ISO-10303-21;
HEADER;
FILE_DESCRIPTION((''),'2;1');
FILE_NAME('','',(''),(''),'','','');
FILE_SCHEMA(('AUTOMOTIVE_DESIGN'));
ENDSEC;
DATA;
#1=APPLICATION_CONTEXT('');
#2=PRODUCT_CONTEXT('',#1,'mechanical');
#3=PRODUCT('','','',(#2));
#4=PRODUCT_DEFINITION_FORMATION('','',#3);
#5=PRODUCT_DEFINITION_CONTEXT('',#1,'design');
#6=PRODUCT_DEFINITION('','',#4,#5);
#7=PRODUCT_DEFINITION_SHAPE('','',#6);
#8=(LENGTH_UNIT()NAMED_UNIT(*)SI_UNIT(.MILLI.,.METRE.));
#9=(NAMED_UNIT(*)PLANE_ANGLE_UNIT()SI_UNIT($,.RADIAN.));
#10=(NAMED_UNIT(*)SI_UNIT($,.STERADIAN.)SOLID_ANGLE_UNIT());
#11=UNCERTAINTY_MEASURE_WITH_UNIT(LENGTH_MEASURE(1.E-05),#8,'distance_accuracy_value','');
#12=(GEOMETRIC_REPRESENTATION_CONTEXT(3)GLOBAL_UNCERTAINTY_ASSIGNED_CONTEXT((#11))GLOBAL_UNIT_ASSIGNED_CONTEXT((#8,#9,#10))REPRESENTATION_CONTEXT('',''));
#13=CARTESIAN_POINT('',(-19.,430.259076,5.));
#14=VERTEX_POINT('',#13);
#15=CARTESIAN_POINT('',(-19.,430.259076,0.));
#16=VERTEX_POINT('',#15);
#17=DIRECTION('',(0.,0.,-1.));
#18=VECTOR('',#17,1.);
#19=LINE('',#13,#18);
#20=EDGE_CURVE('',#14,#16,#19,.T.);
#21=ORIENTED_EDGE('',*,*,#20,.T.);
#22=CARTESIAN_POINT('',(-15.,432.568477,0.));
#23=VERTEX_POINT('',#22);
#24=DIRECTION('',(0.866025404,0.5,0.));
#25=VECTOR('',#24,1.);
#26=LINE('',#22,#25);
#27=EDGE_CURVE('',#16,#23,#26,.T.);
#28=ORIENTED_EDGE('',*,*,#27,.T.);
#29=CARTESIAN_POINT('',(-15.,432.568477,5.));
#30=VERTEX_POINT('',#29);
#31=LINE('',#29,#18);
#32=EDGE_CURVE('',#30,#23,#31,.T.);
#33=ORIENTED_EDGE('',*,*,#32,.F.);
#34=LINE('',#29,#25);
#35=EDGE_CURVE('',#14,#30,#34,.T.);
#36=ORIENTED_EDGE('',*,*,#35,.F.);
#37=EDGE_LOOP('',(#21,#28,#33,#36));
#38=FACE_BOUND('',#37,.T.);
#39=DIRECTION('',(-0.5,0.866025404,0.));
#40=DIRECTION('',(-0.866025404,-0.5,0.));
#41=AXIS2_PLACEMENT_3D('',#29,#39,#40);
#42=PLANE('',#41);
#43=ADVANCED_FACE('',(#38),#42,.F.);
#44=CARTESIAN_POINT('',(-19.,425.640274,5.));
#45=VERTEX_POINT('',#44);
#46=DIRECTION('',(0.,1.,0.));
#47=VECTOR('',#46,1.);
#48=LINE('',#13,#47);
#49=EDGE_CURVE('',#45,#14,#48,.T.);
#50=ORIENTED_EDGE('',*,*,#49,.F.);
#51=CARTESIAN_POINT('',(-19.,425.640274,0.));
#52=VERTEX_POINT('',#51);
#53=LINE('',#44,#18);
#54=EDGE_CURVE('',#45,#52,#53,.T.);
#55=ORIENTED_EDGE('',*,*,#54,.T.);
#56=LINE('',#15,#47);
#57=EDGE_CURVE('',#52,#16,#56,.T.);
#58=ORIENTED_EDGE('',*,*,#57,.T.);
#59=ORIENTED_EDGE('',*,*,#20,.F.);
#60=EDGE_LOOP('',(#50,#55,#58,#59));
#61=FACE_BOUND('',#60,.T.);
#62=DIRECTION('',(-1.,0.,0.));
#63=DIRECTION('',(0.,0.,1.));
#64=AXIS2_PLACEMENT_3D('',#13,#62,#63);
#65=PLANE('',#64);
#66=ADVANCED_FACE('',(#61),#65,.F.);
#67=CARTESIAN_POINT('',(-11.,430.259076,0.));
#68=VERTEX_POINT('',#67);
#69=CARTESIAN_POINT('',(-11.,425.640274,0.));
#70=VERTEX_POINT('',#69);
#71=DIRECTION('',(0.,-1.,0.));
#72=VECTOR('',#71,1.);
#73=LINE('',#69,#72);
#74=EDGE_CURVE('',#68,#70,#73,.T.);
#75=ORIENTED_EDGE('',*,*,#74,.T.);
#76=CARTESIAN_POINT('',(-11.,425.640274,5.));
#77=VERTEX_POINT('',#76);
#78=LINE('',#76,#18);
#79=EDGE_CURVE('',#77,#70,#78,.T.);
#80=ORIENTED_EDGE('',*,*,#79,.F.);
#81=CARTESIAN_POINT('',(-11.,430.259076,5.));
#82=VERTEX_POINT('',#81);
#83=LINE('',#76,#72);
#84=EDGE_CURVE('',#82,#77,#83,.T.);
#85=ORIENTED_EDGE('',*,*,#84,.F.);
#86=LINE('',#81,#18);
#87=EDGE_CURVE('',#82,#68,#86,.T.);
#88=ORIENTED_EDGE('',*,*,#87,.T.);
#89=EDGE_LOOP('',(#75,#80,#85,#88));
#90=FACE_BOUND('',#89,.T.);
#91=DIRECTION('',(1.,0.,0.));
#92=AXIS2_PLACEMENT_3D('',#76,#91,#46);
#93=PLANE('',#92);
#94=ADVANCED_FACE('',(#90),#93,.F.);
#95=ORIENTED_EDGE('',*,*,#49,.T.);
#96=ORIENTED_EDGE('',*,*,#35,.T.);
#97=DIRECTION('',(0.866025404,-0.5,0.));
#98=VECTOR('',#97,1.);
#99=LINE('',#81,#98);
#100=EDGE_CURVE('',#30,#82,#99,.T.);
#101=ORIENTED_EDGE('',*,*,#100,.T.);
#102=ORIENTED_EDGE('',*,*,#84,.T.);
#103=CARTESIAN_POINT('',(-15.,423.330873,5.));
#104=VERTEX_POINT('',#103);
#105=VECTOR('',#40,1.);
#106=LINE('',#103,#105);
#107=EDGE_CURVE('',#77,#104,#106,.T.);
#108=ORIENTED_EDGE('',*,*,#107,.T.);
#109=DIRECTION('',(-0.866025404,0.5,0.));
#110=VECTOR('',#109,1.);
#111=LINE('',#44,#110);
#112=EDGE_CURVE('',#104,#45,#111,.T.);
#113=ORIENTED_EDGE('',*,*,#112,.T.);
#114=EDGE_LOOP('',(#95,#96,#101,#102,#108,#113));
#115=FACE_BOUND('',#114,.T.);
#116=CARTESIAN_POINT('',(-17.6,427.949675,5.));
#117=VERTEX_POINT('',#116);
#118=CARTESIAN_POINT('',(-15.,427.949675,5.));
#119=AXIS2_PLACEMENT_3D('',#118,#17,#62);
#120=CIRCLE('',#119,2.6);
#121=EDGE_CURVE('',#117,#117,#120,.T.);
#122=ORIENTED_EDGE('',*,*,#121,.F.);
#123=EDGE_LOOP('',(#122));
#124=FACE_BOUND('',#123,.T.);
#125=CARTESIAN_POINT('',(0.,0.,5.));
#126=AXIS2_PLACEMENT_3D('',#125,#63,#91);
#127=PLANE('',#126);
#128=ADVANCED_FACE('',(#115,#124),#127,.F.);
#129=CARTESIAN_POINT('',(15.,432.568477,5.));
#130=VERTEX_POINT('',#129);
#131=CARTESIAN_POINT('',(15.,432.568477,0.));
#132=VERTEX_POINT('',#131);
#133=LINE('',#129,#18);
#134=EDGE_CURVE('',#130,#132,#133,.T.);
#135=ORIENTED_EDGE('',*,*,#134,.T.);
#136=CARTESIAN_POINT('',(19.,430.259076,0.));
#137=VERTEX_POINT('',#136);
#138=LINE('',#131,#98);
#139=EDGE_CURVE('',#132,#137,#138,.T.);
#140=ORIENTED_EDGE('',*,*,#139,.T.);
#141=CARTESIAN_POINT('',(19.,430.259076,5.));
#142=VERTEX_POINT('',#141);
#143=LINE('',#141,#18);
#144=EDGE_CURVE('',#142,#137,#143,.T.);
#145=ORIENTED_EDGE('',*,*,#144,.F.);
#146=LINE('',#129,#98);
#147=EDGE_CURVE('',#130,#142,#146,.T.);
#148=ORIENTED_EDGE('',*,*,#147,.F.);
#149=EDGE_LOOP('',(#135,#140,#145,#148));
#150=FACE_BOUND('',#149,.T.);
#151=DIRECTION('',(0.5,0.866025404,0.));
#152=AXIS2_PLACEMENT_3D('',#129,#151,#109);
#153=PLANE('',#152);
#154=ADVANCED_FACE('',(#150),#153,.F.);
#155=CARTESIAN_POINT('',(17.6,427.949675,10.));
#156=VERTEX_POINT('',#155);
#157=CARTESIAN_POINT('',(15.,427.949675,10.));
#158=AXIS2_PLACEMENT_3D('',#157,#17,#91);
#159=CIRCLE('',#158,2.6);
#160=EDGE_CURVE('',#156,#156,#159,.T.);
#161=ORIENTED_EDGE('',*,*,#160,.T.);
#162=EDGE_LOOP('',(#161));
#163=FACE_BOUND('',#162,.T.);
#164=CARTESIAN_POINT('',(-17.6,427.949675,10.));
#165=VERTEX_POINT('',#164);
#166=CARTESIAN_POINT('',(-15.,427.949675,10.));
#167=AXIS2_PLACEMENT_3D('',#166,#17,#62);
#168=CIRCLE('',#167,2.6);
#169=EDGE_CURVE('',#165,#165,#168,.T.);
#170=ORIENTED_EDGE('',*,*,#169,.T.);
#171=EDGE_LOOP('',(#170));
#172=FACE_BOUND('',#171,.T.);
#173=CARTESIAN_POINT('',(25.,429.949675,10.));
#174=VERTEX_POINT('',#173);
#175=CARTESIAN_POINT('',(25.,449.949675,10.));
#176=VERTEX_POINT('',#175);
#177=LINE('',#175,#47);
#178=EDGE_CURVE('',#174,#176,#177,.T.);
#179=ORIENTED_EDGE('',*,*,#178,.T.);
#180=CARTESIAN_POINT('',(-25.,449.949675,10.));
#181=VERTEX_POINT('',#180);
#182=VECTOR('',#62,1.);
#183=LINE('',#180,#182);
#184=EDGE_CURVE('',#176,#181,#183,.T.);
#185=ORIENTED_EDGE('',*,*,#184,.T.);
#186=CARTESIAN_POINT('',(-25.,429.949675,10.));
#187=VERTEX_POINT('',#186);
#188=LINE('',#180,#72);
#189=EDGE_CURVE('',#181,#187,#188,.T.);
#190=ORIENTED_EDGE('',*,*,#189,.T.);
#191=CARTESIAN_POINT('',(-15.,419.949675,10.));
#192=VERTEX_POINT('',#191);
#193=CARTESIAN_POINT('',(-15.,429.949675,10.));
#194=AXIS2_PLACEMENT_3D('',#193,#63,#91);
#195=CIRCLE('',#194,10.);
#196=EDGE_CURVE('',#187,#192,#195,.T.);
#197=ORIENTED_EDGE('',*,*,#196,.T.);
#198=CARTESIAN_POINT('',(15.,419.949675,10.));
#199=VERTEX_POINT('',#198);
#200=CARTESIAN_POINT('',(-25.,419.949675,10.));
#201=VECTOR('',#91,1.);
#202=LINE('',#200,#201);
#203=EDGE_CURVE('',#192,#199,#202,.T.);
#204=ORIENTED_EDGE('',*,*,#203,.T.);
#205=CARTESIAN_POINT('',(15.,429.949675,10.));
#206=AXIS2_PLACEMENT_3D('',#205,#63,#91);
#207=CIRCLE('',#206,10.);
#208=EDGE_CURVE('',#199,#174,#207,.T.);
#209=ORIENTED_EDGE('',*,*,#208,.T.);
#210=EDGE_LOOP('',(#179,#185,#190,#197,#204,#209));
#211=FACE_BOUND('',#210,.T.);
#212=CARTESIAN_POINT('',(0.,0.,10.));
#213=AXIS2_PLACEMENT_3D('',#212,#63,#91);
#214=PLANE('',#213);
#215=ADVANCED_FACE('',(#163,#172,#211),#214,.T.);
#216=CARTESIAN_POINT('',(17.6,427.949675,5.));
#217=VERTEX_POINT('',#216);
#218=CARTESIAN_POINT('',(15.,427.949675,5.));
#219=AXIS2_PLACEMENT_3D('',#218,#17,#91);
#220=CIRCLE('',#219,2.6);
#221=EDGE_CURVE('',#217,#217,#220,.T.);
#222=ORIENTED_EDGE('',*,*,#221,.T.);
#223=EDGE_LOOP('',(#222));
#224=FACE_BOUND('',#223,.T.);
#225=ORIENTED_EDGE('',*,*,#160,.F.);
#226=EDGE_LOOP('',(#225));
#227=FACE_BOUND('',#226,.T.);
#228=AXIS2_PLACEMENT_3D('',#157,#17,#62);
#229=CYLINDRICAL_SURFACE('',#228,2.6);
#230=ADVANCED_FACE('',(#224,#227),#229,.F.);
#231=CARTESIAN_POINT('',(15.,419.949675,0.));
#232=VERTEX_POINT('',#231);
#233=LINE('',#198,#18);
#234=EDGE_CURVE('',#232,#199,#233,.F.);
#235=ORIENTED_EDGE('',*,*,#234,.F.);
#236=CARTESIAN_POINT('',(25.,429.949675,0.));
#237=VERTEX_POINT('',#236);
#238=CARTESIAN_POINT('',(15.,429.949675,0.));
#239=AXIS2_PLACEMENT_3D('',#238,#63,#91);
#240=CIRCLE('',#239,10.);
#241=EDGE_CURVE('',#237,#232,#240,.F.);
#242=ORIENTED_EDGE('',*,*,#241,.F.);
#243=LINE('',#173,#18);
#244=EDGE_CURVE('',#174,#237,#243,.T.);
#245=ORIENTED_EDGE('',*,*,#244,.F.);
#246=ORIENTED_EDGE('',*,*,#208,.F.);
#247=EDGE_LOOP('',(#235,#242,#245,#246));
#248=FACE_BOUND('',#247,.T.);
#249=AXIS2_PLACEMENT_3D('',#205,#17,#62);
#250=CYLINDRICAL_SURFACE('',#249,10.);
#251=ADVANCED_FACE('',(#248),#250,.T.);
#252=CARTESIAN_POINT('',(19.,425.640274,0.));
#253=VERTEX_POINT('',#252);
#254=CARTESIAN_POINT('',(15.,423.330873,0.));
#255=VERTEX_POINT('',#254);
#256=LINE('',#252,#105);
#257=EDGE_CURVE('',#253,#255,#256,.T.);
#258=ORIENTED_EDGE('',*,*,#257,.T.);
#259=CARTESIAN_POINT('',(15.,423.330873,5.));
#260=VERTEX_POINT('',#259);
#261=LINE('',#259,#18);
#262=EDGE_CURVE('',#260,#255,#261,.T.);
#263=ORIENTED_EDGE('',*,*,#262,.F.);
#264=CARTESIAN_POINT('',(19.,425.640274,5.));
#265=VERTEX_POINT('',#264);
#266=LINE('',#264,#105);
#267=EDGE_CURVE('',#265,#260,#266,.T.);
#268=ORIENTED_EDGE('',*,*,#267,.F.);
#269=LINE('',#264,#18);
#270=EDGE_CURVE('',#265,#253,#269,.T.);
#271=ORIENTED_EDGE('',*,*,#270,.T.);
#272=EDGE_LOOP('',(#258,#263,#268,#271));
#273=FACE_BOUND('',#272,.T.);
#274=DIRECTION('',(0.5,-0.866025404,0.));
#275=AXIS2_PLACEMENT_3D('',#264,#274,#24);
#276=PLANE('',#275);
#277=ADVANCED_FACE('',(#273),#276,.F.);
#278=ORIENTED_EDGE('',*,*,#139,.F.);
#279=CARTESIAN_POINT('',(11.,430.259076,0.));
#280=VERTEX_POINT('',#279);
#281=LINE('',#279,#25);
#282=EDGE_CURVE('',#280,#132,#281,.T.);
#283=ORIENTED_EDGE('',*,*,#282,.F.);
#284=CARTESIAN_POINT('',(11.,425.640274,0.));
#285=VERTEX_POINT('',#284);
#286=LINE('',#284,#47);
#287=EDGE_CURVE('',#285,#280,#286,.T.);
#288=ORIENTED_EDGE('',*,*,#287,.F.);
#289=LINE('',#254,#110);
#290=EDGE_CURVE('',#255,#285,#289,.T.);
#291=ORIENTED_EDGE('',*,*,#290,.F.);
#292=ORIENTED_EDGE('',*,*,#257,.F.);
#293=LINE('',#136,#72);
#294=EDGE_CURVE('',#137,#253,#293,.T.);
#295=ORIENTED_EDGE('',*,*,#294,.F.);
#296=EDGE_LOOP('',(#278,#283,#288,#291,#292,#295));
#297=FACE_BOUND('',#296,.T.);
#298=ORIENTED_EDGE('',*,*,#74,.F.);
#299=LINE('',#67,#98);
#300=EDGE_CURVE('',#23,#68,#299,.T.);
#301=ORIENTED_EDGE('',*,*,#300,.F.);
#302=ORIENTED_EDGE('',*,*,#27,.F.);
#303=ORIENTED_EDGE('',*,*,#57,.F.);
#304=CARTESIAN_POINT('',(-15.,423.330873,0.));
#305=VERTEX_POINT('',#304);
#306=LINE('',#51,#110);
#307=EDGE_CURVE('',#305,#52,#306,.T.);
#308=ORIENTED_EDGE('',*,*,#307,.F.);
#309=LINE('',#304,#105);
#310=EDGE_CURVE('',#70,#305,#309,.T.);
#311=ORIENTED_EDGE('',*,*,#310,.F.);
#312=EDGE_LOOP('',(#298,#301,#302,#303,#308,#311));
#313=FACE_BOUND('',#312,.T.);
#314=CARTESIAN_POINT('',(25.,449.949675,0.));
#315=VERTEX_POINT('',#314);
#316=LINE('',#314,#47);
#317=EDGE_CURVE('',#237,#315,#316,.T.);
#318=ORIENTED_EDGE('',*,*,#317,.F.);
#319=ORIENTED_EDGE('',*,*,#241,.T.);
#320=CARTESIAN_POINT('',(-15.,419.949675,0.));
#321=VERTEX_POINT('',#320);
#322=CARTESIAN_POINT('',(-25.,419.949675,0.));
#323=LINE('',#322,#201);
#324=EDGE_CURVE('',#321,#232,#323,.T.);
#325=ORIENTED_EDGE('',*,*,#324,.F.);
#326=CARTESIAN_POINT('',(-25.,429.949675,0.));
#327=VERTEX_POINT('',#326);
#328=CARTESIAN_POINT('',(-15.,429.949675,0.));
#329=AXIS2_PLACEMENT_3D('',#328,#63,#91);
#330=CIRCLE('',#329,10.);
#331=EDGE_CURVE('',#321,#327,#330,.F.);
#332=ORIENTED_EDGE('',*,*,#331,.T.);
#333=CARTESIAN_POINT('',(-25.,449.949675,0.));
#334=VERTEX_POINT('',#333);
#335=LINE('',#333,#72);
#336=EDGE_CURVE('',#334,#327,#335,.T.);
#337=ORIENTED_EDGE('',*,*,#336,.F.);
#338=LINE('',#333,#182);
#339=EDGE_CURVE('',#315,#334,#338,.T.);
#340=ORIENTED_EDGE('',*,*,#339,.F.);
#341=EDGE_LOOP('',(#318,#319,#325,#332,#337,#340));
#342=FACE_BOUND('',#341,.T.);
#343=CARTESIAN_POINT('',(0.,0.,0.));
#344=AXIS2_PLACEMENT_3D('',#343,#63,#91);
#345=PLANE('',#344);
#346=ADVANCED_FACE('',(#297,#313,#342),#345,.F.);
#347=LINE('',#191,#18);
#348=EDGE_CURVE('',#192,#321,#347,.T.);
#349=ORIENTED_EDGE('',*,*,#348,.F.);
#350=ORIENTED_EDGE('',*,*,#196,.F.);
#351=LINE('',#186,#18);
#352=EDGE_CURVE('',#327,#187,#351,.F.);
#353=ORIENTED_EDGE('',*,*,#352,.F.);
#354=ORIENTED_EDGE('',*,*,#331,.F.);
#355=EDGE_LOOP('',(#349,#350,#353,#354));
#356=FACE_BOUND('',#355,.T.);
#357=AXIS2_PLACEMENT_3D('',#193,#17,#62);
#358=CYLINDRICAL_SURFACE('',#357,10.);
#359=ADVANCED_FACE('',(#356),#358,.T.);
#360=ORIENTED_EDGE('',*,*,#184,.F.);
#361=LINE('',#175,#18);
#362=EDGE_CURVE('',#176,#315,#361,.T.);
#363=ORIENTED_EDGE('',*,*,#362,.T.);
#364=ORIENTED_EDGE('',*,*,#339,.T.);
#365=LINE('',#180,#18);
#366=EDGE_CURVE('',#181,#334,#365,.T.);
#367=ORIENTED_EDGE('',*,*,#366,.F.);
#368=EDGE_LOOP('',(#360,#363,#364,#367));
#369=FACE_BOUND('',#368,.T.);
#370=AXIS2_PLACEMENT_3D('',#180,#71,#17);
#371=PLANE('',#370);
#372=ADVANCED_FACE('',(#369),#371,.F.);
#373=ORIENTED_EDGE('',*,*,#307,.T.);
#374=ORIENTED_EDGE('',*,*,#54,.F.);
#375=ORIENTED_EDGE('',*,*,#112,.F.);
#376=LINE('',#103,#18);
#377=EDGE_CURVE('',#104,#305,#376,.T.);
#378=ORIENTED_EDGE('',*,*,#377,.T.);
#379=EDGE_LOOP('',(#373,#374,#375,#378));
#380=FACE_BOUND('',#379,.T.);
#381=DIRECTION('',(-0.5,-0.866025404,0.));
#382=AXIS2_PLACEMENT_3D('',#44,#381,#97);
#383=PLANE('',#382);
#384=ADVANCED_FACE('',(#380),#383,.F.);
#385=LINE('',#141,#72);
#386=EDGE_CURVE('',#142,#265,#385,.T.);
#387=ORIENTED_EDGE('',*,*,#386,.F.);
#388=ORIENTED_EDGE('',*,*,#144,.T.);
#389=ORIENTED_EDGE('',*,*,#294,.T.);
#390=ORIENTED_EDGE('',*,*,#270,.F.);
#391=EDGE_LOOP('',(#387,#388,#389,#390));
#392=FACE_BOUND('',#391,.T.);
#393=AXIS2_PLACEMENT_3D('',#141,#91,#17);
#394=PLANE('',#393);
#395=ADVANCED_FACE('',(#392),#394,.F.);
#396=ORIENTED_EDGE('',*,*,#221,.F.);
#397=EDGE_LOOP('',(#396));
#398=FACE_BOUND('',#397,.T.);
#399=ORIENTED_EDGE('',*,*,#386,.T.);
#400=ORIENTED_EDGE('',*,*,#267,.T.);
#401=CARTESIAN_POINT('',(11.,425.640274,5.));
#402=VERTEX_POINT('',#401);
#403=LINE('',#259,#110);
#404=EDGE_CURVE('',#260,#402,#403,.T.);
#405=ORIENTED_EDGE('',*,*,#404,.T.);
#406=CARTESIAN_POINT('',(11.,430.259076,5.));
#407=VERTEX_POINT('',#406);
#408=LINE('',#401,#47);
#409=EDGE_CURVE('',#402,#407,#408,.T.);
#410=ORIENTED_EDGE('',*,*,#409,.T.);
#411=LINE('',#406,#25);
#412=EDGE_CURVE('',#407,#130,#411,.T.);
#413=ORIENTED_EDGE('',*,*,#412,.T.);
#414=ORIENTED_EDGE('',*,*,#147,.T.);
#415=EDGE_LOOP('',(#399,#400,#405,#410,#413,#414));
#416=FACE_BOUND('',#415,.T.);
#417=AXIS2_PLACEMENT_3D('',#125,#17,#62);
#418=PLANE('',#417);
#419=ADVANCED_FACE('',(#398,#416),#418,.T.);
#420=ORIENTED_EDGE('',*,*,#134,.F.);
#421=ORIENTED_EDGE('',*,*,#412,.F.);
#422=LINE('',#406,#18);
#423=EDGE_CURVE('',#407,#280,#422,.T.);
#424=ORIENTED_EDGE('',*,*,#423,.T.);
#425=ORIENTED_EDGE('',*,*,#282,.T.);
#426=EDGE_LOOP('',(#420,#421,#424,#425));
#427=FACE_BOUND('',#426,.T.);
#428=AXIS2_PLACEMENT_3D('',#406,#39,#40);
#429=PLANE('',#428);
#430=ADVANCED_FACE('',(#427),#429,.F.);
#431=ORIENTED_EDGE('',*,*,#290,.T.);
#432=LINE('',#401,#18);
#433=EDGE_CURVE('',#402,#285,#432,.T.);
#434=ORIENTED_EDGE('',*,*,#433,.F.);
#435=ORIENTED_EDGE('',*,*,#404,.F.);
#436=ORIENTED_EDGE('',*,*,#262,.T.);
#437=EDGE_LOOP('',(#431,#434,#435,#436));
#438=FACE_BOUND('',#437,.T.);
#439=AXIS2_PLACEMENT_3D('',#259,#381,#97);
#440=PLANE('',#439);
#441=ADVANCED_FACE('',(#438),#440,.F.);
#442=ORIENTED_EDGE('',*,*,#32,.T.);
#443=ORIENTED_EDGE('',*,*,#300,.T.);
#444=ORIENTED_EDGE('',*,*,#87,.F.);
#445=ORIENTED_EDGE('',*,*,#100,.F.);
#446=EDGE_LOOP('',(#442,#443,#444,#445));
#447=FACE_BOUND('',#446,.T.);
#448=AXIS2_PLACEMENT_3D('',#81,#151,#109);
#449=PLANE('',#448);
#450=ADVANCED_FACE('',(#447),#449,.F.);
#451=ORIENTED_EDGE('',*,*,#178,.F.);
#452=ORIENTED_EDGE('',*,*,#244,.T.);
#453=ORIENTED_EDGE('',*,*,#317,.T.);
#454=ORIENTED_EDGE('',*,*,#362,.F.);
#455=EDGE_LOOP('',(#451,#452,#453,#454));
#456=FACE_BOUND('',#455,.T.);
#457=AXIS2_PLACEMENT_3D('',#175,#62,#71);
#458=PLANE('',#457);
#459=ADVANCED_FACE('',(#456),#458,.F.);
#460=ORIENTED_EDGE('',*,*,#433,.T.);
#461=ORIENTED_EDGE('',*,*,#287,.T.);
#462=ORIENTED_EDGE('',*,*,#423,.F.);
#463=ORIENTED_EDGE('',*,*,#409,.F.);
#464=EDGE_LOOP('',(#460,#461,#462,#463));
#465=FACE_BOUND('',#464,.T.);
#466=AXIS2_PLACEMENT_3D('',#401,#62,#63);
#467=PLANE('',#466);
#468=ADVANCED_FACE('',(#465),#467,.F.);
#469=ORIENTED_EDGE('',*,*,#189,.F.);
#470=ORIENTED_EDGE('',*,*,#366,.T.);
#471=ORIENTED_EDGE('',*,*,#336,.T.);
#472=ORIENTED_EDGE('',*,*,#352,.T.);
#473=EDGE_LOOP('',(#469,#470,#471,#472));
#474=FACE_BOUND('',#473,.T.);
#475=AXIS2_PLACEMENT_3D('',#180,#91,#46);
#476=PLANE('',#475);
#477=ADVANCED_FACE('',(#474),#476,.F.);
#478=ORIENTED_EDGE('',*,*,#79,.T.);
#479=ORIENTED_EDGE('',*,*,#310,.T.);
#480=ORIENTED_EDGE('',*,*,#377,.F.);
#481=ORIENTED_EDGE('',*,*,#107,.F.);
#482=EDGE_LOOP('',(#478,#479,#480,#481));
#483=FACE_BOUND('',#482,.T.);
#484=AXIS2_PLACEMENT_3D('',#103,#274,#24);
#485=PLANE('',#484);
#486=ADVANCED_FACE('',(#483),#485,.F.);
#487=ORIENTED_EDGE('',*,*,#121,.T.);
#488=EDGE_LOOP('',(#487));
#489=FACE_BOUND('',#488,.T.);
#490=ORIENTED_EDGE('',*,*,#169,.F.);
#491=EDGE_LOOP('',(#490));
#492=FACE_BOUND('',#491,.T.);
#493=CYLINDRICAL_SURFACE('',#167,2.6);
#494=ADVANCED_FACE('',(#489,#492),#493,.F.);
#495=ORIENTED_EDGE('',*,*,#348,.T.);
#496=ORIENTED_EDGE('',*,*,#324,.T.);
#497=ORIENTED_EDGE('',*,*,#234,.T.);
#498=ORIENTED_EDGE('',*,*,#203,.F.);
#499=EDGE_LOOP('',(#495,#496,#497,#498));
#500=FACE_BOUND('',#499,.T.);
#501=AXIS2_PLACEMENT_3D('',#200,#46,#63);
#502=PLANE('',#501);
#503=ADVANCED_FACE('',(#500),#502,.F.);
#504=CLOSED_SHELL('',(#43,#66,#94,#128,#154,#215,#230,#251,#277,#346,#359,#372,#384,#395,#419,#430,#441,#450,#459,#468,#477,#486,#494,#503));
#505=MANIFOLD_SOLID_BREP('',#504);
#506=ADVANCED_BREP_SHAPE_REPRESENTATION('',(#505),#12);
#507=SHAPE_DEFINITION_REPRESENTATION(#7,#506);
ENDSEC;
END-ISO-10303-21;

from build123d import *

# Parameters (mm, degrees)
SKETCH1_W           = 50
SKETCH1_H           = 30
BOSS_EXTRUDE1_DEPTH = 10
CUT_EXTRUDE1_DEPTH  = 5
SKETCH3_R           = 2.6
CUT_EXTRUDE2_DEPTH  = 451.671399096
FILLET1_R           = 10


with BuildPart() as part:
    # Sketch1 → Boss-Extrude1 (new body)
    with BuildSketch(Plane.XY):
        with Locations((0, 434.949674923)):
            Rectangle(SKETCH1_W, SKETCH1_H)
    extrude(amount=BOSS_EXTRUDE1_DEPTH)

    # Sketch2 → Cut-Extrude1 (cut)
    with BuildSketch(Plane(origin=(0, 0, 0), x_dir=(-1, 0, 0), z_dir=(0, 0, -1))):
        Polygon((11, 430.259075999), (15, 432.568477076), (19, 430.259075999), (19, 425.640273846), (15, 423.330872769), (11, 425.640273846), align=None)
        Polygon((-15, 432.568477076), (-19, 430.259075999), (-19, 425.640273846), (-15, 423.330872769), (-11, 425.640273846), (-11, 430.259075999), align=None)
    extrude(amount=-CUT_EXTRUDE1_DEPTH, mode=Mode.SUBTRACT)

    # Sketch3 → Cut-Extrude2 (cut, through all)
    with BuildSketch(Plane(origin=(0, 0, 5), x_dir=(-1, 0, 0), z_dir=(0, 0, -1))):
        with Locations((15, 427.949674923)):
            Circle(SKETCH3_R)
        with Locations(Location((-15, 427.949674923, 0), (0, 0, 180))):
            Circle(SKETCH3_R)
    extrude(amount=-CUT_EXTRUDE2_DEPTH, mode=Mode.SUBTRACT)

    # Fillet1
    fillet1_edges = [part.edges().sort_by_distance(p)[0] for p in [
        (25, 419.949674923, 5),
        (-25, 419.949674923, 5),
    ]]
    fillet(fillet1_edges, radius=FILLET1_R)


solid = part.part
